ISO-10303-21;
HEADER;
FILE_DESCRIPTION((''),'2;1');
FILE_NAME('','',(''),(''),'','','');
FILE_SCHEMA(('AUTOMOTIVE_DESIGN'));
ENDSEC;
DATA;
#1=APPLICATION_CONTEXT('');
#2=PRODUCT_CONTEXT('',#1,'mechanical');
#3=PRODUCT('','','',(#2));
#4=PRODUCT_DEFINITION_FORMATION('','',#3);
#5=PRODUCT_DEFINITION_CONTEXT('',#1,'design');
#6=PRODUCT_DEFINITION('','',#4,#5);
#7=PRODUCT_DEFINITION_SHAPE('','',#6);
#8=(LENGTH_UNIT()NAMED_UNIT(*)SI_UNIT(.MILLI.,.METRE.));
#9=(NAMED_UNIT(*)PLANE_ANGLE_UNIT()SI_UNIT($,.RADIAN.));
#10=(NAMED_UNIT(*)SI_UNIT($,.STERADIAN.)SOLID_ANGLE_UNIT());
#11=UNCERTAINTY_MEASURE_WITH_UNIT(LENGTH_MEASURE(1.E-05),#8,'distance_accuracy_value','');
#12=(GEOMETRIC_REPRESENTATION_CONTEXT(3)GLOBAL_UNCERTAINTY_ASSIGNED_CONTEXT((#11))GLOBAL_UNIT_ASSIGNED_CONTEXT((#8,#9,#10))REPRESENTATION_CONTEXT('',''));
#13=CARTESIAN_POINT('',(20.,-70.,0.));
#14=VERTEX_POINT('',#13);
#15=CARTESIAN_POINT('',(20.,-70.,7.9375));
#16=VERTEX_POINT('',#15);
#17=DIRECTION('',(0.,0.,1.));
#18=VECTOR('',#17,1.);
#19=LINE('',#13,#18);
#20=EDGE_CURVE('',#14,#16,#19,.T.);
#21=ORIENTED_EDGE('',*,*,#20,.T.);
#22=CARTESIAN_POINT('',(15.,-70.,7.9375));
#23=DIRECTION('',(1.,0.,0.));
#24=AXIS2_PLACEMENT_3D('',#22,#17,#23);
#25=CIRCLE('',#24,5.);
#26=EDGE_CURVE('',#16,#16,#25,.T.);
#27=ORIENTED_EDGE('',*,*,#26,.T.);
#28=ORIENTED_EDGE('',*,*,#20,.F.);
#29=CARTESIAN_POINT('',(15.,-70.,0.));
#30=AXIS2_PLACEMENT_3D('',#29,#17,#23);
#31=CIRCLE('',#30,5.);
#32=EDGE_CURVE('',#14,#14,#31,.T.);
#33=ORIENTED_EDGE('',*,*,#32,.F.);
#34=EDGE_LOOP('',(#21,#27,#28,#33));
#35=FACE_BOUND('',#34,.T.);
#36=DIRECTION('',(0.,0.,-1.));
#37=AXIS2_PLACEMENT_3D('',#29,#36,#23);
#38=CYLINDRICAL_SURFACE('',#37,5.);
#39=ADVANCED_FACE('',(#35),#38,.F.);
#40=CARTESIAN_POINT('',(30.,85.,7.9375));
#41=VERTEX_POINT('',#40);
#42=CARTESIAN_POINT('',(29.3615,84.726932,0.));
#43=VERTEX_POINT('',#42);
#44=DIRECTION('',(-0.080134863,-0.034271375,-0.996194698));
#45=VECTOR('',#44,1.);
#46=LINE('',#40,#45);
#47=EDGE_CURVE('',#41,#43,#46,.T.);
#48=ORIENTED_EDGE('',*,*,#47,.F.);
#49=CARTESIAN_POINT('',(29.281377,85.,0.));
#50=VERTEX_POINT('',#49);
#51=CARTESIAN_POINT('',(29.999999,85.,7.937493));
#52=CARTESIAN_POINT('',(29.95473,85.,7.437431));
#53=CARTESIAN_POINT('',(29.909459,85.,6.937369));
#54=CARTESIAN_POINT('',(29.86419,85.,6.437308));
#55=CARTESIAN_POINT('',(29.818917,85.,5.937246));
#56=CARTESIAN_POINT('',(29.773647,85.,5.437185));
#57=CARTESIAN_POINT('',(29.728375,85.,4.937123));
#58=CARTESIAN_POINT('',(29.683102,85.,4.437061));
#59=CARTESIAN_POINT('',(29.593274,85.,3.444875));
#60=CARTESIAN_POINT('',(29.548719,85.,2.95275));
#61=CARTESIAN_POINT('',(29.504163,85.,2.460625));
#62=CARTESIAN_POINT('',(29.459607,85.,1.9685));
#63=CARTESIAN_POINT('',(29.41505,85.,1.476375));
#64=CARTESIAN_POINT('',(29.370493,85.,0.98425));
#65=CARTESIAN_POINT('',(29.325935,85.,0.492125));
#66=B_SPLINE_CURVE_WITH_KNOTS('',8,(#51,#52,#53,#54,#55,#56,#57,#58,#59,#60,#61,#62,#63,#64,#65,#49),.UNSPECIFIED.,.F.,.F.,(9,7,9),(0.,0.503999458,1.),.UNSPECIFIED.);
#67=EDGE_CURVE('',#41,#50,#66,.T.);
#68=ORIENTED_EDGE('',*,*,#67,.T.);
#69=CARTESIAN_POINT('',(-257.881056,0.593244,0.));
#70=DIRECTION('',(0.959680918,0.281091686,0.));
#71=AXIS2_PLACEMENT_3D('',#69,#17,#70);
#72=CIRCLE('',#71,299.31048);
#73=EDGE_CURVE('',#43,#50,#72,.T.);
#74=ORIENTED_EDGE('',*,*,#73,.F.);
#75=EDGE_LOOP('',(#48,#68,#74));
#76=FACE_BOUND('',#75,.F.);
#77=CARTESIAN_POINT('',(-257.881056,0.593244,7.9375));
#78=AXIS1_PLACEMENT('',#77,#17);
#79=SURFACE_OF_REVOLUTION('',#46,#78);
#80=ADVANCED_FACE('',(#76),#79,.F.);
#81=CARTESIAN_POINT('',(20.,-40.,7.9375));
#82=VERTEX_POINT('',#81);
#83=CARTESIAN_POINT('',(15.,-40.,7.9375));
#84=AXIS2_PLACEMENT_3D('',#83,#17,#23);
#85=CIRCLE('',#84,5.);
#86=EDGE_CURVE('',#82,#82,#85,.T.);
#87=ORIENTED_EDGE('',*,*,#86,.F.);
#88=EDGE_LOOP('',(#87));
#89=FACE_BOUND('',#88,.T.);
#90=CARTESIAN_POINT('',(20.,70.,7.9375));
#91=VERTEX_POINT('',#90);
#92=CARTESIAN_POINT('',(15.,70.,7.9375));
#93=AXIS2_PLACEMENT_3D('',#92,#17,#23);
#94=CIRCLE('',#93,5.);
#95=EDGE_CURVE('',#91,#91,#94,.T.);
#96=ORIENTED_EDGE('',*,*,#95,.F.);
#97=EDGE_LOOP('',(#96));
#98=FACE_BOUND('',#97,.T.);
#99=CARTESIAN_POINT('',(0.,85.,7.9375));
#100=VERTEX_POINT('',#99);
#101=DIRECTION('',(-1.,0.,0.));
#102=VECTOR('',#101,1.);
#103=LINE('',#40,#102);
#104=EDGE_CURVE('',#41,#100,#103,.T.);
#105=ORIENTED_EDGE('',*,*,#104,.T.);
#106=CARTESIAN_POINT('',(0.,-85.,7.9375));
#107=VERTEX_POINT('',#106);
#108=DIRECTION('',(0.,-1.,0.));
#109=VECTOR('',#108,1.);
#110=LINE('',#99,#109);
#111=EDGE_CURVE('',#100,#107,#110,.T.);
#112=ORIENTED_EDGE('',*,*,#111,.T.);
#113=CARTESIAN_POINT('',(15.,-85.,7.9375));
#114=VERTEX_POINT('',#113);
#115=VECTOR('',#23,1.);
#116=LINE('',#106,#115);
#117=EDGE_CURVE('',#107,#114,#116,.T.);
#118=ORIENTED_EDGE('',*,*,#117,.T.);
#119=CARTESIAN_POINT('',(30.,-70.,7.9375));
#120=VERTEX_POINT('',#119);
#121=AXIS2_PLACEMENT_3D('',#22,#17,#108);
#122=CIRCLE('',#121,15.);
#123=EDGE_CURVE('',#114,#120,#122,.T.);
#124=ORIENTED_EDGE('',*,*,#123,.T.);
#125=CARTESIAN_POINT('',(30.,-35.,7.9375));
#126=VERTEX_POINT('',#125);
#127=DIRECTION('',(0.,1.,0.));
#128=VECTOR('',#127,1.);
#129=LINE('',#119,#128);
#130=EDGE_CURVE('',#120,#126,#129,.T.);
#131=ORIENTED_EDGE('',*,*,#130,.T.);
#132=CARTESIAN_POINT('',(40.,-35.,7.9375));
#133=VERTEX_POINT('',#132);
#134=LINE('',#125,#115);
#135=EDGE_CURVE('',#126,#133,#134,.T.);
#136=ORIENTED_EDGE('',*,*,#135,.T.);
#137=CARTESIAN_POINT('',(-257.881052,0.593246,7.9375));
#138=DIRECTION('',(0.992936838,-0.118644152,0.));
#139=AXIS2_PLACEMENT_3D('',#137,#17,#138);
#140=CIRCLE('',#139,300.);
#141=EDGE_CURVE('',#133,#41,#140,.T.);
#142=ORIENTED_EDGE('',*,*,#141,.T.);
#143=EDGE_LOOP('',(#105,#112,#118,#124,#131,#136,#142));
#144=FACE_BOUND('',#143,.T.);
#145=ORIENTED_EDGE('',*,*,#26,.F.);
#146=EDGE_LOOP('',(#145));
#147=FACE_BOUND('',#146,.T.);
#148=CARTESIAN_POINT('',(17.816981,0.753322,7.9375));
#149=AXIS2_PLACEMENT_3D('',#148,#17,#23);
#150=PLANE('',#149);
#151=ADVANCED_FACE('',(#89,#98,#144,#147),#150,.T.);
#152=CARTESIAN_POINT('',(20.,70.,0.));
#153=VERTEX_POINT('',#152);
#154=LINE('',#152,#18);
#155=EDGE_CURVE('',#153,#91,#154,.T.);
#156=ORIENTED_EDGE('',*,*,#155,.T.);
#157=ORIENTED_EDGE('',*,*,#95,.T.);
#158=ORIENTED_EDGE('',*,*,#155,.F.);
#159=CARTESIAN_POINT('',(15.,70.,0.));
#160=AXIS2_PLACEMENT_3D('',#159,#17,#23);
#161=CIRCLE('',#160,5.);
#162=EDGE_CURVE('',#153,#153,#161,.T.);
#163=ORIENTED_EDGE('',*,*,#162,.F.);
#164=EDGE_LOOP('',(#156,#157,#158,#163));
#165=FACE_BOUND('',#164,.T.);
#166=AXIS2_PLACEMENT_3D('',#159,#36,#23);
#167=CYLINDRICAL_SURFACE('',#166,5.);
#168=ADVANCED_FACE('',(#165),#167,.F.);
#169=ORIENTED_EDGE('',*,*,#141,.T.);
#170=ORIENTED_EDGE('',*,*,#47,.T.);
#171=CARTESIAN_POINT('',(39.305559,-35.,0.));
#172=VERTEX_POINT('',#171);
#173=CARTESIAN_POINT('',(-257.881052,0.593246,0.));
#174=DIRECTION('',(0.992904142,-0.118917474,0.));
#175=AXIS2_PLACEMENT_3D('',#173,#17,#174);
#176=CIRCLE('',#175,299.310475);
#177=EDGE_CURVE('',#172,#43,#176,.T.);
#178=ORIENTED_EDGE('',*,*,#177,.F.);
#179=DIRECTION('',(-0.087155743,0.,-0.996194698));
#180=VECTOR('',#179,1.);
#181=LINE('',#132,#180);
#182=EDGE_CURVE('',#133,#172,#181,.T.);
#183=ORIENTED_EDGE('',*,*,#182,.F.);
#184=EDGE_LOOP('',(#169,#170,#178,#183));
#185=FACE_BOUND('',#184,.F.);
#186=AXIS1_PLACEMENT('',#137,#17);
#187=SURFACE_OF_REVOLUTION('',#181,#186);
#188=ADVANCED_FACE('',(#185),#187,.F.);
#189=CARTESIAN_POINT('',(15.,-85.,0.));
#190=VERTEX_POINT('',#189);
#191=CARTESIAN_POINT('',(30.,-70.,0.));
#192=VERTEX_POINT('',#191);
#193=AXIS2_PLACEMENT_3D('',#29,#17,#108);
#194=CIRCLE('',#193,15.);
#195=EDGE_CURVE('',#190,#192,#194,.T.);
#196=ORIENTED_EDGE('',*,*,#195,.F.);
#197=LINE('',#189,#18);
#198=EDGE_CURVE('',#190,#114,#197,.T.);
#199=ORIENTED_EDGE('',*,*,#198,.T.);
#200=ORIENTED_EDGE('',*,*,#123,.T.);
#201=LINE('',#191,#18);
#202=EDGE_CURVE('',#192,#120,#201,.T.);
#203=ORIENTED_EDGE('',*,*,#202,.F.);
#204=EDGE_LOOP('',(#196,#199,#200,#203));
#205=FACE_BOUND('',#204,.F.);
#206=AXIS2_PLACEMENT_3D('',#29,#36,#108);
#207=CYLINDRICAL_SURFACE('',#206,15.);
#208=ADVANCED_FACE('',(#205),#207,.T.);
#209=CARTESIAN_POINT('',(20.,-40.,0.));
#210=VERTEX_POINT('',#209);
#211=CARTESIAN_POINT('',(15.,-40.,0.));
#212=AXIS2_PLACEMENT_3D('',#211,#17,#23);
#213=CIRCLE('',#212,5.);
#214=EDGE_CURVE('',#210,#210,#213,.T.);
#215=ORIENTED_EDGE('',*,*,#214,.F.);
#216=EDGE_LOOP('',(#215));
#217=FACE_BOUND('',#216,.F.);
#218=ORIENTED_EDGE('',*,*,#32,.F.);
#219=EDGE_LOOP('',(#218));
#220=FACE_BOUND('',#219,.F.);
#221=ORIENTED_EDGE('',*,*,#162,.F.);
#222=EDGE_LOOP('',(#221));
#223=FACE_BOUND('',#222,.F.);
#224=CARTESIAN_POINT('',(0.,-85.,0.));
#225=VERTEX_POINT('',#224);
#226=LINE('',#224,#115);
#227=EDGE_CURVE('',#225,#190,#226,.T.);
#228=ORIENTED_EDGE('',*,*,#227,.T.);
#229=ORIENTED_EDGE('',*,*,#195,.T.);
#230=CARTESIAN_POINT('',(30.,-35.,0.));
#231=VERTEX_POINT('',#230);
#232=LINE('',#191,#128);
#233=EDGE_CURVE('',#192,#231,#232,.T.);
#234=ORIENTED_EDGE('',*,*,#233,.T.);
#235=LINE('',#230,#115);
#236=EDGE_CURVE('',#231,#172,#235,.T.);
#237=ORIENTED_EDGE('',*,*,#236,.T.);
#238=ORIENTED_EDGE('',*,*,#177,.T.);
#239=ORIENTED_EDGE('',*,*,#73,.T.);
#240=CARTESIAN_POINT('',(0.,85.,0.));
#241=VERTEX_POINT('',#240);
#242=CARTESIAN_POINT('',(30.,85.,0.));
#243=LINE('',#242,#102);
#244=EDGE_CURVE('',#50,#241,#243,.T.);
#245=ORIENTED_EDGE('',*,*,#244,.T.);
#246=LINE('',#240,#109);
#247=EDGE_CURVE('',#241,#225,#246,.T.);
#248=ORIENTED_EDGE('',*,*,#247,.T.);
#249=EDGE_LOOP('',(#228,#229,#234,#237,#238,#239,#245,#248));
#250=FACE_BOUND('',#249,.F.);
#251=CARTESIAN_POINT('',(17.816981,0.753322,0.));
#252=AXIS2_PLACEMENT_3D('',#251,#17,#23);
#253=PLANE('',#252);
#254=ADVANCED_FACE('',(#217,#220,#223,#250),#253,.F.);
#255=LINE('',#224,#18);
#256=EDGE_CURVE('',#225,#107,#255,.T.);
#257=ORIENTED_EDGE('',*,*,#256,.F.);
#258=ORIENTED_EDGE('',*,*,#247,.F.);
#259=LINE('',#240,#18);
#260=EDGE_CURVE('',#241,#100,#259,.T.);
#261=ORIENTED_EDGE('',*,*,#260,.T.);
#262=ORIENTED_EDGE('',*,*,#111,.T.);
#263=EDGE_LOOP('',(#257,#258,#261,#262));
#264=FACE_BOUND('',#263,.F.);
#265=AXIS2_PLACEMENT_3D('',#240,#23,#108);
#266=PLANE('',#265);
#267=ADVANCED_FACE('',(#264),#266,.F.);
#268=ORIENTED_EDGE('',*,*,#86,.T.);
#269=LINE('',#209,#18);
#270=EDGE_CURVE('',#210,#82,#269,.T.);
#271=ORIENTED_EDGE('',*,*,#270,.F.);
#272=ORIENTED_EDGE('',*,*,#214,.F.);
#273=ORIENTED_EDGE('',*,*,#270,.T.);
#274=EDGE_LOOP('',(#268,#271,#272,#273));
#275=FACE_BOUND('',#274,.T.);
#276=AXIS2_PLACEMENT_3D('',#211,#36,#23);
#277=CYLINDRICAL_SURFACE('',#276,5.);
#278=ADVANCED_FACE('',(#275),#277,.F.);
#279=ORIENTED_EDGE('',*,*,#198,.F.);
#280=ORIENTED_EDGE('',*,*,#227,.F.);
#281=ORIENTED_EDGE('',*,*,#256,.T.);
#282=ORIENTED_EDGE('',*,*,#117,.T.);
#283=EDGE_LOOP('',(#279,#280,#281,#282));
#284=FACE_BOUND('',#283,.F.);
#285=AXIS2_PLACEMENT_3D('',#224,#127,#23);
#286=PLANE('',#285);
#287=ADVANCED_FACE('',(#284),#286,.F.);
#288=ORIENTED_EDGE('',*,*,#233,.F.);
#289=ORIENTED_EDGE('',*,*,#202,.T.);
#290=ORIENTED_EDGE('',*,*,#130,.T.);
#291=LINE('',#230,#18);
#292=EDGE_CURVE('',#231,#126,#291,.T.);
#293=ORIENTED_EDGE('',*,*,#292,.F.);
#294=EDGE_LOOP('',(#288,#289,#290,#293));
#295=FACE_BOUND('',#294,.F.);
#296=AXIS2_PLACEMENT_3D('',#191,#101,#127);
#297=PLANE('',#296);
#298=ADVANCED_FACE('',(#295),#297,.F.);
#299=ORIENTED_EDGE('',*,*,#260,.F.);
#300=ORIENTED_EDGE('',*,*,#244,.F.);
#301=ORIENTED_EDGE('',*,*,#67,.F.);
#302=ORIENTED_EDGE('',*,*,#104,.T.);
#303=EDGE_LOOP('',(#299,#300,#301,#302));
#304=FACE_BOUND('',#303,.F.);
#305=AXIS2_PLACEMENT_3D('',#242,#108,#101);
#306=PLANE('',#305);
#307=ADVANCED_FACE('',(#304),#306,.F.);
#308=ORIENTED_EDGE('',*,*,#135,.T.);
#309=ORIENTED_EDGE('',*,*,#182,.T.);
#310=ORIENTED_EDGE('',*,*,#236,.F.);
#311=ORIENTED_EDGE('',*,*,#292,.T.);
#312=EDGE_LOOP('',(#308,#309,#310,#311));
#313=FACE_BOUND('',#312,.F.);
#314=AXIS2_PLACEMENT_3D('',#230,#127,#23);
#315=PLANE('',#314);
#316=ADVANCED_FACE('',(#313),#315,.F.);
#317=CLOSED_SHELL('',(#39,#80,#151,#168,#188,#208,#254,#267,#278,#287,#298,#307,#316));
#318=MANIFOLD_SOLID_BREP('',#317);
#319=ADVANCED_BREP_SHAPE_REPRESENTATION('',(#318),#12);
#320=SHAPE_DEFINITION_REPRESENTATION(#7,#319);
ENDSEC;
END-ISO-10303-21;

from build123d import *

# Parameters (mm, degrees)
F0_R     = 5
F1_DEPTH = 7.9375


with BuildPart() as f1:
    # F0 (on Top) → F1 (new body)
    with BuildSketch(Plane.XY):
        with BuildLine():
            Line((30, 85), (0, 85))
            Line((0, 85), (0, -85))
            Line((0, -85), (15, -85))
            ThreePointArc((15, -85), (25.6066017178, -80.6066017178), (30, -70))
            Line((30, -70), (30, -35))
            Line((30, -35), (40, -35))
            ThreePointArc((40, -35), (41.0826759443, 25.506889662), (30, 85))
        make_face()
        with Locations((15, -70)):
            Circle(F0_R, mode=Mode.SUBTRACT)
        with Locations((15, -40)):
            Circle(F0_R, mode=Mode.SUBTRACT)
        with Locations((15, 70)):
            Circle(F0_R, mode=Mode.SUBTRACT)
    extrude(amount=F1_DEPTH)

    # F4: sweep along a path in F3
    with BuildLine(Plane.XY.offset(7.9375)) as f4_path:
        ThreePointArc((40, -35), (41.0826759443, 25.506889662), (30, 85))
        ThreePointArc((30, 85), (29.688847741, 86.0540731869), (29.3738360192, 87.1069994078))
    # F2 (on face) → F4 (sweep, cut)
    with BuildSketch(Plane.XZ.offset(35)):
        Polygon((39.3055587333, 0), (40, 0), (40, 7.9375), align=None)
    sweep(path=f4_path.line, mode=Mode.SUBTRACT)


solid = f1.part
